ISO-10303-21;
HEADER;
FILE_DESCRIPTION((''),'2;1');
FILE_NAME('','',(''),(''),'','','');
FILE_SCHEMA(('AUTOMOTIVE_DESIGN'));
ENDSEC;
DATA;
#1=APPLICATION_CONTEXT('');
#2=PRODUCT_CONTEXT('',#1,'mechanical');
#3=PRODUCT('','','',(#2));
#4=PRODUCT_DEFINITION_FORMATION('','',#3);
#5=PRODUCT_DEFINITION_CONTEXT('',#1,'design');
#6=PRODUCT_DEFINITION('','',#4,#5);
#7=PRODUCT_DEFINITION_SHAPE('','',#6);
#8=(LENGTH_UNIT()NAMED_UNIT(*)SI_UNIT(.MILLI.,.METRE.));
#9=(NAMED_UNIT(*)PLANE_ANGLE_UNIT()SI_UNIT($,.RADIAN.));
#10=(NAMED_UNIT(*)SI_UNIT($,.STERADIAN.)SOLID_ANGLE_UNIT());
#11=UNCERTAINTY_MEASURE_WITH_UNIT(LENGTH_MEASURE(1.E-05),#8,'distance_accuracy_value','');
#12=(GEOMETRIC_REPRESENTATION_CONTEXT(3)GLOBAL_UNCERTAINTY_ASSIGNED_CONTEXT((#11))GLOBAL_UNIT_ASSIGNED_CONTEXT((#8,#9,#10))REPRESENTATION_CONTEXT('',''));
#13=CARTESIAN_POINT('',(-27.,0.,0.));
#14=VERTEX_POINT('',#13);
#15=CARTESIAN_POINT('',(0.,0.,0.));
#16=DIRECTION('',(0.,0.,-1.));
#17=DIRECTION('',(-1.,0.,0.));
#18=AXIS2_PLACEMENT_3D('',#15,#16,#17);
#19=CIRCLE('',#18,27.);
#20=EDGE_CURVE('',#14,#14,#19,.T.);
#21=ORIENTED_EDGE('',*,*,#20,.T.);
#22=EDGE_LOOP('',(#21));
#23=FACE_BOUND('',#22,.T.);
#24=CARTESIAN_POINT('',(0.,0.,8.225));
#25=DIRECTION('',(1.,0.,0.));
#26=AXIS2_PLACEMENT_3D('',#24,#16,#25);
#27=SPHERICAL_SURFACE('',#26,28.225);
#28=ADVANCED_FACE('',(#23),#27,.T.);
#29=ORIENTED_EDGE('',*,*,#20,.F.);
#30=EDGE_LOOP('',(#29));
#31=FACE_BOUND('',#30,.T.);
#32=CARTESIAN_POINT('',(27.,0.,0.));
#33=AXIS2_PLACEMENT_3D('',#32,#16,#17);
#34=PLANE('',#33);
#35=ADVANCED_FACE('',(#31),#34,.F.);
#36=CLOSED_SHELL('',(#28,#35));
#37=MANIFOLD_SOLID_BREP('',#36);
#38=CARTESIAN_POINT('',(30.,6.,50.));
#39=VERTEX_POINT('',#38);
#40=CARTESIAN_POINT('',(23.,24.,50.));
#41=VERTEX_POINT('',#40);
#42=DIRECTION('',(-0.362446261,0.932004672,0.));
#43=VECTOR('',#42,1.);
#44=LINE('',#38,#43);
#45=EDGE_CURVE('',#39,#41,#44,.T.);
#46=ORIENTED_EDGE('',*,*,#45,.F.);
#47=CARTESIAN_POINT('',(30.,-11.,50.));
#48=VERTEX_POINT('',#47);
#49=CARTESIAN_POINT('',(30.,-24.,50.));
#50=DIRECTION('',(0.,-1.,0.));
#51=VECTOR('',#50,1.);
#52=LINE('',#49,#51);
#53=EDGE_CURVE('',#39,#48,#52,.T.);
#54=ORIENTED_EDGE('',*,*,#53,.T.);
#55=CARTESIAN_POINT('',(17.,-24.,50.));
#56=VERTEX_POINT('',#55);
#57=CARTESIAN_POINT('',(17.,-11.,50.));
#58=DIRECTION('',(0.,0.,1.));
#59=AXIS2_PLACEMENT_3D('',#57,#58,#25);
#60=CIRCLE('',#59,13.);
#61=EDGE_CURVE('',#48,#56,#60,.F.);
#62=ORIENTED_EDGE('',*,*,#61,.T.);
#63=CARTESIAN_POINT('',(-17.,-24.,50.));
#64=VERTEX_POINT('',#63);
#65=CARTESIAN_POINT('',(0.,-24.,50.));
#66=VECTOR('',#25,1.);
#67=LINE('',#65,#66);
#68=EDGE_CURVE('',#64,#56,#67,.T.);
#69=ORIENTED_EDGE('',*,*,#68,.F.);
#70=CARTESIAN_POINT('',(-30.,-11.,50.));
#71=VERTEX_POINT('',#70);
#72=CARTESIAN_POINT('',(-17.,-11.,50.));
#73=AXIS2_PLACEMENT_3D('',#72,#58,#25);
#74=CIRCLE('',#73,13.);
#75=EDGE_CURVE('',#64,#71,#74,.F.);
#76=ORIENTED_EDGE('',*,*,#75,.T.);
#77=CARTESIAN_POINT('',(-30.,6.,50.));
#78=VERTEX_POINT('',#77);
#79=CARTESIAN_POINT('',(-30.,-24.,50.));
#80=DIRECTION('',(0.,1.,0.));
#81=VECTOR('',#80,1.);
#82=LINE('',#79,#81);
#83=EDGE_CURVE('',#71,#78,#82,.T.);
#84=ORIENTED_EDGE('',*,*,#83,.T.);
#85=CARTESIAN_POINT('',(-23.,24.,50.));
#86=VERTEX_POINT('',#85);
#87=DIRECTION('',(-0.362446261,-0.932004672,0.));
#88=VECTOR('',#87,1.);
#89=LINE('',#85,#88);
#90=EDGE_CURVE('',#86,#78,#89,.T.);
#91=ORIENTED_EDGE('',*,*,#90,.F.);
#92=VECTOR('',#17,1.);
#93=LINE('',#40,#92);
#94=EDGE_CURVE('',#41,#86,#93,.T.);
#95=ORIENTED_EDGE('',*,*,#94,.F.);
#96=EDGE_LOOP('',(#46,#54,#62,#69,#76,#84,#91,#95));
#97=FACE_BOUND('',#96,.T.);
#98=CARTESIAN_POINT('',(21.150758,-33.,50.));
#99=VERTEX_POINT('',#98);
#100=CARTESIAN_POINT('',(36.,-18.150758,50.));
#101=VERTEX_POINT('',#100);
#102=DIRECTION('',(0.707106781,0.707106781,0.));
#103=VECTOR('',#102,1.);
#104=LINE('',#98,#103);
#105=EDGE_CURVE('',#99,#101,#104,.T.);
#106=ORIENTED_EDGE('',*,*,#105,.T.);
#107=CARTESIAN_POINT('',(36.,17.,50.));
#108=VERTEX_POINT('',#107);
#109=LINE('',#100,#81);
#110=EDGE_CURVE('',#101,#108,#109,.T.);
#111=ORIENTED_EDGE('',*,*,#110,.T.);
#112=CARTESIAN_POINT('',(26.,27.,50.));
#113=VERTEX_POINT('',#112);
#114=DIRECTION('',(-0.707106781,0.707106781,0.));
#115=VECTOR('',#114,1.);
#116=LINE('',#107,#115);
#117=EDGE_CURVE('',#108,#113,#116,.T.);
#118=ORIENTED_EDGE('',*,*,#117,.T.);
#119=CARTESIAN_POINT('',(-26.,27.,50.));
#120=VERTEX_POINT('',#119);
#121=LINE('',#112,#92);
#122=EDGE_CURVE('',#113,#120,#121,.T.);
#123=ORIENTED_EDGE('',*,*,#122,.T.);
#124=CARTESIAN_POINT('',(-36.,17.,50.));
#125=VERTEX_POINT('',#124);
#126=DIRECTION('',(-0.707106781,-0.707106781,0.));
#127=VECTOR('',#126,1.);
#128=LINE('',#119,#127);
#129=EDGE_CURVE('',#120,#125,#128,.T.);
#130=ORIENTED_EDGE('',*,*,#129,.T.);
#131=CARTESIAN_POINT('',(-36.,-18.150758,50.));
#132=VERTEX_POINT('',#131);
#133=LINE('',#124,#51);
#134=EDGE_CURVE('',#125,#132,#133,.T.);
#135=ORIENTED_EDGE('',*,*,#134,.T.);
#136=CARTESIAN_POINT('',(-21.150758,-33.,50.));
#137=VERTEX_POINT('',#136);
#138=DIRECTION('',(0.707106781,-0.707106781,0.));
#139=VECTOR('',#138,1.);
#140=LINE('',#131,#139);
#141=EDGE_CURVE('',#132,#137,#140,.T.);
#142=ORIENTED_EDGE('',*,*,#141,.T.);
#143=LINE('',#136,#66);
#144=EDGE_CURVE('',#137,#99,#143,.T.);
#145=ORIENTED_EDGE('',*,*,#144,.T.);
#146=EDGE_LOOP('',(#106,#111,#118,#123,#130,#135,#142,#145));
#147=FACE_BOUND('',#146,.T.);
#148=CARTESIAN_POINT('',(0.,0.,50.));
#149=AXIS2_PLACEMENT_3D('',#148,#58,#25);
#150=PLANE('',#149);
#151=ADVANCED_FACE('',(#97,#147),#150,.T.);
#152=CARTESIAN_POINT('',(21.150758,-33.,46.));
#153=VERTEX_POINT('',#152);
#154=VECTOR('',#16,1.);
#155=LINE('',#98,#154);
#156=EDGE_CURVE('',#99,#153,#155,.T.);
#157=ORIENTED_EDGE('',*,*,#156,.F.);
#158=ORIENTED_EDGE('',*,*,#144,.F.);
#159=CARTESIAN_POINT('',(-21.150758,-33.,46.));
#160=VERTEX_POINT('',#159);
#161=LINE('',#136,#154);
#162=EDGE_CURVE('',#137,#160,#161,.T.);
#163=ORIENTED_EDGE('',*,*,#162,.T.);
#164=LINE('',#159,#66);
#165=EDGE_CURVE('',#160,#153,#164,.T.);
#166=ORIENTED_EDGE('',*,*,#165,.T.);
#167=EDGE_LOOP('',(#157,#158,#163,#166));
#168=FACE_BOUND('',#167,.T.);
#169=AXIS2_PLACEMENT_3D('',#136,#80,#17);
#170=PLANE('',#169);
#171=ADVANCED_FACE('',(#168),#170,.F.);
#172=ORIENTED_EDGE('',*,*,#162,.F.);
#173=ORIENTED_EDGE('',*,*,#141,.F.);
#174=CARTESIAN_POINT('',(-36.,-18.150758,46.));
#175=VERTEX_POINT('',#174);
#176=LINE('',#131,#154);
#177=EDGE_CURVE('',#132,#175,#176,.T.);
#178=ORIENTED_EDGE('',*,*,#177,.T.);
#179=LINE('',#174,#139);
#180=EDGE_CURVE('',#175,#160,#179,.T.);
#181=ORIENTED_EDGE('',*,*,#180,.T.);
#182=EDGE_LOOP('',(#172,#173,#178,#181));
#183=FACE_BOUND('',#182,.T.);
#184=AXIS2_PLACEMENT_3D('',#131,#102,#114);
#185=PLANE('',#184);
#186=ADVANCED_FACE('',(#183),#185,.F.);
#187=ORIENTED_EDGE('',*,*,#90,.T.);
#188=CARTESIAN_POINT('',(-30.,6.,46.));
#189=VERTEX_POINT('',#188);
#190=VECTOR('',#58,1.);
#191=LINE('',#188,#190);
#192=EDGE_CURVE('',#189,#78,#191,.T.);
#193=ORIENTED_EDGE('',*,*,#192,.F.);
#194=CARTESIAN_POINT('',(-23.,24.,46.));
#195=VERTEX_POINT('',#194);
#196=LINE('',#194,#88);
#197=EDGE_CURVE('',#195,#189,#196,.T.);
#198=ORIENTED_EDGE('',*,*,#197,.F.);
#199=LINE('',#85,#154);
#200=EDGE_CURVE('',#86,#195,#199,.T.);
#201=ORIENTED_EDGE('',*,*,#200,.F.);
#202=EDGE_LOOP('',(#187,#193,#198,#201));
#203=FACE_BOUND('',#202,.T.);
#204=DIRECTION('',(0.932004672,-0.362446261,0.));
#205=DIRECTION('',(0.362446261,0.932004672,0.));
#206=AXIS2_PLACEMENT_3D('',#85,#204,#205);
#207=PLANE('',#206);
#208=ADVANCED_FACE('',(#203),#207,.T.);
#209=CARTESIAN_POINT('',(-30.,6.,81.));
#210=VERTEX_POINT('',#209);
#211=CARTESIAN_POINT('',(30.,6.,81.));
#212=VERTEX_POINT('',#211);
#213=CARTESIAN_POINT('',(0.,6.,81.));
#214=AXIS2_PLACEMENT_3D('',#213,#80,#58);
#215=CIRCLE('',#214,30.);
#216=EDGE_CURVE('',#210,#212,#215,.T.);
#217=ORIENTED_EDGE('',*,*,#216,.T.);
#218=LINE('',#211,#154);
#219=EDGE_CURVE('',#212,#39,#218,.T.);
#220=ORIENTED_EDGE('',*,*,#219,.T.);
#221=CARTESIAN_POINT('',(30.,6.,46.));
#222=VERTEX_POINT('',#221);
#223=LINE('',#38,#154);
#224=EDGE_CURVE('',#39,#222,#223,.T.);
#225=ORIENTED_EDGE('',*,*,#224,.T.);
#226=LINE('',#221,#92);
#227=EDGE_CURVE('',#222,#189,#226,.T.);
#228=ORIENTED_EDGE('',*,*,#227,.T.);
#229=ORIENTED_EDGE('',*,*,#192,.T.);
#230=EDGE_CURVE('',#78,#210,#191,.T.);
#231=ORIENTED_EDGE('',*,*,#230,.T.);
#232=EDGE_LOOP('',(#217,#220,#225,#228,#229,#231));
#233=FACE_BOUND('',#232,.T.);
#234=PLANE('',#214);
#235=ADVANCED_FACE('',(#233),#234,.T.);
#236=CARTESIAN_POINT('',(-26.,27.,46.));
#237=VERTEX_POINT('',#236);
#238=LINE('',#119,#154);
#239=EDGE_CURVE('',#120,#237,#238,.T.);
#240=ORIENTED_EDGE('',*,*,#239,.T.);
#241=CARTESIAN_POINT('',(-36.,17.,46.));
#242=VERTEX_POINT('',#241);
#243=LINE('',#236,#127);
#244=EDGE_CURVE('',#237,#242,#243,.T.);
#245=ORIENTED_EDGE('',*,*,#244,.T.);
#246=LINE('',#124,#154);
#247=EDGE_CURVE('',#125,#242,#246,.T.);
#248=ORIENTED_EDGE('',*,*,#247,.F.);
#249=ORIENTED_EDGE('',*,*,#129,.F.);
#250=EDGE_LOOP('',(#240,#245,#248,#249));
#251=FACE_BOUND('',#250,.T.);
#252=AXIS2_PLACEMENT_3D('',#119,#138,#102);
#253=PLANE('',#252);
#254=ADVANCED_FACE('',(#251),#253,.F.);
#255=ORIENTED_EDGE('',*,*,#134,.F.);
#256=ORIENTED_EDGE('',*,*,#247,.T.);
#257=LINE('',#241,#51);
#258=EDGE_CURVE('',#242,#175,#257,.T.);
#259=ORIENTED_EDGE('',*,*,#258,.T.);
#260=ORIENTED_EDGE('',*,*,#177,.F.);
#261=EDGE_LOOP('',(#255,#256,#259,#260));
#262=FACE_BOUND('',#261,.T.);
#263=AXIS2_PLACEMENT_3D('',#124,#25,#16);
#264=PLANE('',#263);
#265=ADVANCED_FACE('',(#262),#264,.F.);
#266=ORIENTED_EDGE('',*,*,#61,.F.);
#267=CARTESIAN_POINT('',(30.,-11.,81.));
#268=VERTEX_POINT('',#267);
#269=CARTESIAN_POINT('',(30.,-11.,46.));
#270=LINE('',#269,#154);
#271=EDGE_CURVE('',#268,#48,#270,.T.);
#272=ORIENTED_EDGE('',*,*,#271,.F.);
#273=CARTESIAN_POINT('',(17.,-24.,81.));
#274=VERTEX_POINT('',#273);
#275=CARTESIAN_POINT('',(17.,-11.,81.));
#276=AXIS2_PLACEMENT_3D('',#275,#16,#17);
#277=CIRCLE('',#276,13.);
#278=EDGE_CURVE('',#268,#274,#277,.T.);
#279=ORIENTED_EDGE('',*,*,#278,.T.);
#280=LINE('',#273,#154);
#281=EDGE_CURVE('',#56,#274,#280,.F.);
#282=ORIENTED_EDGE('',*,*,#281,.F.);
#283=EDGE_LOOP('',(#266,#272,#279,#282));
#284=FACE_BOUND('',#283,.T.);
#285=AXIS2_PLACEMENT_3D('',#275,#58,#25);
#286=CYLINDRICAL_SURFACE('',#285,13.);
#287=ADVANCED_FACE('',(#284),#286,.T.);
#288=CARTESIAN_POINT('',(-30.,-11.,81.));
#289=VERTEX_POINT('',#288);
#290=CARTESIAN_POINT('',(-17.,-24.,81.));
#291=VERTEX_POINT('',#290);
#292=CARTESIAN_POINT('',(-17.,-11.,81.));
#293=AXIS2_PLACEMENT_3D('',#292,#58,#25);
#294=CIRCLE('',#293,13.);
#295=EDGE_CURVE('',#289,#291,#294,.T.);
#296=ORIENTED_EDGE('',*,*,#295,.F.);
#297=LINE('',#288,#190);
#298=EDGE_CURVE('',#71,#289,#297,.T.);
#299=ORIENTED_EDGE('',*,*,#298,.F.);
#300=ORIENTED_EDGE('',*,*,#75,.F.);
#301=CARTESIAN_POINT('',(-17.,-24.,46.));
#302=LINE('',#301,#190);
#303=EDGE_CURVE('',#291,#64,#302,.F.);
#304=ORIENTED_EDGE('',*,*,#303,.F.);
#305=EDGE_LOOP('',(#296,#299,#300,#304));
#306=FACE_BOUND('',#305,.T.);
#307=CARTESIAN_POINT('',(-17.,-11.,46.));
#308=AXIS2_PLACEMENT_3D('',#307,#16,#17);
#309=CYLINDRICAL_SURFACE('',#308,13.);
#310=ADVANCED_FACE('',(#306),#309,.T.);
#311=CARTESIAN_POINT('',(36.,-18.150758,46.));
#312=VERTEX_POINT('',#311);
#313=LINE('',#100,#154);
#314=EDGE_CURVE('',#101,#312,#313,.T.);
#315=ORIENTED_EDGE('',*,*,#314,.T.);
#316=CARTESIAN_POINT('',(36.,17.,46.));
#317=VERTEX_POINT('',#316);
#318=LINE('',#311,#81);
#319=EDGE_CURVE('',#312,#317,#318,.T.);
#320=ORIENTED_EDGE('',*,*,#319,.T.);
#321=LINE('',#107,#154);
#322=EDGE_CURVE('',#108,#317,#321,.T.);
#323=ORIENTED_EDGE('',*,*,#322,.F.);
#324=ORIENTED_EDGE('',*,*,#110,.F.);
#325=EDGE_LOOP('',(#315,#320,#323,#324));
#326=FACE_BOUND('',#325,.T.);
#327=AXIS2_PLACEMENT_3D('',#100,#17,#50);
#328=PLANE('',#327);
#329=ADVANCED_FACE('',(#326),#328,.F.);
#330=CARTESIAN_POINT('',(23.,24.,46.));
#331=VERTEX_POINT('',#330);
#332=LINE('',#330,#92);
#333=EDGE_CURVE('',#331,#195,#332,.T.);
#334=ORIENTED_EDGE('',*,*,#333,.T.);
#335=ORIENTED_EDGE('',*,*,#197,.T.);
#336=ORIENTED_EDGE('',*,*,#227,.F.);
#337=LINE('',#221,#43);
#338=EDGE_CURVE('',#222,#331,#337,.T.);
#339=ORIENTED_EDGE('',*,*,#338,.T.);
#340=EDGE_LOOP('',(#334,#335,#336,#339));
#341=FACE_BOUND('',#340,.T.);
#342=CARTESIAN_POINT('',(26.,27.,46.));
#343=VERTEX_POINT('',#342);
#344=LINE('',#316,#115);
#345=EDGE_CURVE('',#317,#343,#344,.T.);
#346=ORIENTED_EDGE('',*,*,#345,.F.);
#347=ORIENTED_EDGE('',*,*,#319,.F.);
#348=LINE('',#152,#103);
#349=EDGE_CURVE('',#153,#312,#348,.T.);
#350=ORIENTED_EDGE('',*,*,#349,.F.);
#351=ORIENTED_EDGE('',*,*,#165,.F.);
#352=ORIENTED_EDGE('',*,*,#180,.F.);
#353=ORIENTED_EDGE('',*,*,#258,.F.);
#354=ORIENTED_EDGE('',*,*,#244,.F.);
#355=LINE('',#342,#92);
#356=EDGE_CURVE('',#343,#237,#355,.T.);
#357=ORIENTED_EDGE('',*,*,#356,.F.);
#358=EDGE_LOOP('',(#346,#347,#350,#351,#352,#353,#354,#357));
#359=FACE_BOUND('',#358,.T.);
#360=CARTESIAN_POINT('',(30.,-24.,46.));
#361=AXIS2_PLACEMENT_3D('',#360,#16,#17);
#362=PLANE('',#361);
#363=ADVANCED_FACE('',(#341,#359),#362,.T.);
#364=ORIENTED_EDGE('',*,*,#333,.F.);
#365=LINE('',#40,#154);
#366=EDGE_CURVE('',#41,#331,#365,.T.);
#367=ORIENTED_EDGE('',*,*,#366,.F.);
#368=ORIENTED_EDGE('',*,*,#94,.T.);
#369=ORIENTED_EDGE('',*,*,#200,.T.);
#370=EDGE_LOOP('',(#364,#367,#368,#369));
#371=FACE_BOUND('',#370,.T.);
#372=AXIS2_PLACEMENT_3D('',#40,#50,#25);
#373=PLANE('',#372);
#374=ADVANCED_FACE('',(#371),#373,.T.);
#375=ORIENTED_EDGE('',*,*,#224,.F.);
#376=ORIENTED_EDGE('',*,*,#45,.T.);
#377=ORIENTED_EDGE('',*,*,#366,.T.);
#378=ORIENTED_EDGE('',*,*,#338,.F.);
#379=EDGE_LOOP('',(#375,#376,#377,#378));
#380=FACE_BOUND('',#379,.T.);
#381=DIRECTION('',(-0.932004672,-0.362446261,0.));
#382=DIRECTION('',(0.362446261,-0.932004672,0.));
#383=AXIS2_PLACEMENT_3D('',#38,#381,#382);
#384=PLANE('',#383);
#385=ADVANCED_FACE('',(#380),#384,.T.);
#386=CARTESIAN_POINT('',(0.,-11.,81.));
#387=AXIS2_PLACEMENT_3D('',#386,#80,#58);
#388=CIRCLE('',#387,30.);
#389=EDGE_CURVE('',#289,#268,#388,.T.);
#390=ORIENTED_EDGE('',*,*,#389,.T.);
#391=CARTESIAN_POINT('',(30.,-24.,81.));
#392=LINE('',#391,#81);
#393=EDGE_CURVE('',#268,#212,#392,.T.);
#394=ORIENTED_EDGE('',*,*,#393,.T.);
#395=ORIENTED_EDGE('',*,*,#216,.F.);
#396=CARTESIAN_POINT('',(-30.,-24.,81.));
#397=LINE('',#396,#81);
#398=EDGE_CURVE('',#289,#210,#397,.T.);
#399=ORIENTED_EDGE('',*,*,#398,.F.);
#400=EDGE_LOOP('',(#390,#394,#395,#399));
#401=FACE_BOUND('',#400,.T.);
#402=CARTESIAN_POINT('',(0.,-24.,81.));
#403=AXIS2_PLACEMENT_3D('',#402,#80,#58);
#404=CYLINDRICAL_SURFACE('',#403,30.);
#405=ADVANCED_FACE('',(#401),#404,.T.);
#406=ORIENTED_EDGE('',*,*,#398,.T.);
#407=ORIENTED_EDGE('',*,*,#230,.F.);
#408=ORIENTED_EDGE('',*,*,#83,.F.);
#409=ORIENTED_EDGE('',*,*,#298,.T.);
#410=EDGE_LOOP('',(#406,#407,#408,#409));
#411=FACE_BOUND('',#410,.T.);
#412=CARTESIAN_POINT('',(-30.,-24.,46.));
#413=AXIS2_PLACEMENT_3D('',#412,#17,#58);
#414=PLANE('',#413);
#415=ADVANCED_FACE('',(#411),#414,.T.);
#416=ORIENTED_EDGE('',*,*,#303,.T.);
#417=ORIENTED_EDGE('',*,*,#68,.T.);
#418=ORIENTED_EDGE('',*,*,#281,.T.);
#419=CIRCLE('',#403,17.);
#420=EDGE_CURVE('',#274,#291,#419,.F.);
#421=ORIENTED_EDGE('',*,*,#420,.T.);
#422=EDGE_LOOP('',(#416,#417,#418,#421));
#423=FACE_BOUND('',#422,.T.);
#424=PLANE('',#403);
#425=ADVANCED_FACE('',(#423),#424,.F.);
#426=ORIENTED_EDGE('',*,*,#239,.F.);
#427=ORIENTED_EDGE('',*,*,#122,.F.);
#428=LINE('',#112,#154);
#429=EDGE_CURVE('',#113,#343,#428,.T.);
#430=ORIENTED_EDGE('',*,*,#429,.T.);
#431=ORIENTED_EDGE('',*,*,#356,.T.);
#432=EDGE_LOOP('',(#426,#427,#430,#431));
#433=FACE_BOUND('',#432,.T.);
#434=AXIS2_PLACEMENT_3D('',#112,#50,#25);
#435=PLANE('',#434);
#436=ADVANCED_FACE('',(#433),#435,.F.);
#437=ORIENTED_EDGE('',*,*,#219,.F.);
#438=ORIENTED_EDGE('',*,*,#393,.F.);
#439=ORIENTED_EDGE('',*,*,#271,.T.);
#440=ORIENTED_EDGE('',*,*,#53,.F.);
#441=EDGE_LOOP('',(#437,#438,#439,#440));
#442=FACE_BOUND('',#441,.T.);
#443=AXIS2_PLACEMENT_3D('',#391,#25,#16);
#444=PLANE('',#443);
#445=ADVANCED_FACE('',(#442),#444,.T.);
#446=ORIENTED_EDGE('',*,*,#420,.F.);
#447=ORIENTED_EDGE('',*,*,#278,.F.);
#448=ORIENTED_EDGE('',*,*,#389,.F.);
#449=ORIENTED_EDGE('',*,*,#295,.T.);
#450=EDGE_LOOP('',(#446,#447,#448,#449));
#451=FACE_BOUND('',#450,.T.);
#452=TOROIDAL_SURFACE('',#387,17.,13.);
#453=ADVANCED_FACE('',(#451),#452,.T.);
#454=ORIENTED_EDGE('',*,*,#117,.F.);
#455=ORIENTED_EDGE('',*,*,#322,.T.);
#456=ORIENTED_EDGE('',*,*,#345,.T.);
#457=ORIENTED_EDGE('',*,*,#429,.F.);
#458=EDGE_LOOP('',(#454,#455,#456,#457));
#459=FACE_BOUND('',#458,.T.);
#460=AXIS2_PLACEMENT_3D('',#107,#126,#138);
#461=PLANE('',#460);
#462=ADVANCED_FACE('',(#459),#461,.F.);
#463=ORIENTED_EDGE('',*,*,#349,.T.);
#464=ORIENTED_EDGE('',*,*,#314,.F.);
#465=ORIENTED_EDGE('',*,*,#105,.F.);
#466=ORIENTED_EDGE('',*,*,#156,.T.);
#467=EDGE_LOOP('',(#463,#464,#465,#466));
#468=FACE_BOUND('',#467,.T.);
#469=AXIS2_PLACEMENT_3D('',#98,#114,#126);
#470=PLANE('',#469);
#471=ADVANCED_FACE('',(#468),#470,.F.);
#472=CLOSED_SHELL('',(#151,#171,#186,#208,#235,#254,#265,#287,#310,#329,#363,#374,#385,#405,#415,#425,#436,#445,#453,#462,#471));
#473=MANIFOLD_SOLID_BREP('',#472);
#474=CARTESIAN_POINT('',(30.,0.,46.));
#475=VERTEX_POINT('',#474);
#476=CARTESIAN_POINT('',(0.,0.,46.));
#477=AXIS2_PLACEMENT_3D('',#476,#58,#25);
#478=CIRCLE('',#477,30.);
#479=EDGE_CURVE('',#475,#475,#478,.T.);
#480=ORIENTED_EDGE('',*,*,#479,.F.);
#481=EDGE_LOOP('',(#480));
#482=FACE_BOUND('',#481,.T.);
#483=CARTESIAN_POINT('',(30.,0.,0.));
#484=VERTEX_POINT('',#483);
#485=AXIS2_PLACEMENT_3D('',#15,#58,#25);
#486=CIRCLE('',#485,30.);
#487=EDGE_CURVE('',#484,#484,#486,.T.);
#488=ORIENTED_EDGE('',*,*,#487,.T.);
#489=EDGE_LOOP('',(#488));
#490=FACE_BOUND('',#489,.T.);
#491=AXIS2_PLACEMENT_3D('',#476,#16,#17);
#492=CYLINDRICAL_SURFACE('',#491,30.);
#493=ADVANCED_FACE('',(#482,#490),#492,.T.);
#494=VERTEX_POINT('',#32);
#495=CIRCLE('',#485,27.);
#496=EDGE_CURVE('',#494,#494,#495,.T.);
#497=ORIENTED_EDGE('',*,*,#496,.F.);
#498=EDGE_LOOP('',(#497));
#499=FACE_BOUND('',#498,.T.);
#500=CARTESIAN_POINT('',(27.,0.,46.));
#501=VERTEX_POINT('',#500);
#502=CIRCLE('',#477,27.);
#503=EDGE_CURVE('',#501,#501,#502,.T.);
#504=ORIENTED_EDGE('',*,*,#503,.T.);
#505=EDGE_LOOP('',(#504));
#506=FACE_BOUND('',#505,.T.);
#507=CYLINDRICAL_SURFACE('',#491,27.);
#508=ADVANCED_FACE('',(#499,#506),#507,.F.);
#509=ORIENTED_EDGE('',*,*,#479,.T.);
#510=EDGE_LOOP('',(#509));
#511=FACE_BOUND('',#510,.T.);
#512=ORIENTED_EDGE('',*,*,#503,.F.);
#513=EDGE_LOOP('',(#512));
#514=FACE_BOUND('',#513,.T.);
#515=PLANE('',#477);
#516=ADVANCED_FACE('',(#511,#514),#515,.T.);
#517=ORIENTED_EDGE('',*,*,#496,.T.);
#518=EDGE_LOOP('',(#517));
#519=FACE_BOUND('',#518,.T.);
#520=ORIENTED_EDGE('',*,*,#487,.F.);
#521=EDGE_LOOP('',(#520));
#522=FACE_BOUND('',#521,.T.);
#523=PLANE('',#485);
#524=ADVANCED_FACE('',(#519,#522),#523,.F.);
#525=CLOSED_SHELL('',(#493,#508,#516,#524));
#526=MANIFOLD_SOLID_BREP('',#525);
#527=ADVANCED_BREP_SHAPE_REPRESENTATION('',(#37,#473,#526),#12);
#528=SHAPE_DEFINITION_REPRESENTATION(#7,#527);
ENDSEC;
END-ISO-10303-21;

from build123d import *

# Parameters (mm, degrees)
SKETCH1_R                = 30
SKETCH1_R_2              = 27
BOSS_EXTRUDE1_DEPTH      = 46
BOSS_EXTRUDE2_DEPTH      = 6
BOSS_EXTRUDE2_DEPTH_BACK = 24
FILLET1_R                = 13
BOSS_EXTRUDE7_DEPTH      = 4


with BuildPart() as part:
    # Sketch1 → Boss-Extrude1 (new body)
    with BuildSketch(Plane.XY):
        Circle(SKETCH1_R)
        Circle(SKETCH1_R_2, mode=Mode.SUBTRACT)
    extrude(amount=BOSS_EXTRUDE1_DEPTH)


with BuildPart() as body_2:
    # Sketch3 → Revolve1 (revolve)
    with BuildSketch(Plane(origin=(0, 0, 0), x_dir=(1, 0, 0), z_dir=(0, 1, 0))):
        with BuildLine():
            Line((27, 0), (0, 0))
            Line((0, 0), (0, 20))
            ThreePointArc((0, 20), (16.800297616, 14.455401782), (27, 0))
        make_face()
    revolve(axis=Axis((0, 0, -24.323945347), (0, 0, 1)))


with BuildPart() as body_3:
    # Sketch5 → Boss-Extrude2 (new, two sides: drawn at the far end of the back side and taken through both)
    with BuildSketch(Plane(origin=(0, 0, 0), x_dir=(1, 0, 0), z_dir=(0, 1, 0)).offset(-BOSS_EXTRUDE2_DEPTH_BACK)):
        with BuildLine():
            Line((-30, -46), (-30, -81))
            ThreePointArc((-30, -81), (0, -111), (30, -81))
            Line((30, -81), (30, -46))
            Line((30, -46), (-30, -46))
        make_face()
    extrude(amount=BOSS_EXTRUDE2_DEPTH + BOSS_EXTRUDE2_DEPTH_BACK)

    # Fillet1
    fillet1_edges = [body_3.edges().sort_by_distance(p)[0] for p in [
        (0, -24, 111),
        (30, -24, 63.5),
        (-30, -24, 63.5),
    ]]
    fillet(fillet1_edges, radius=FILLET1_R)

    # Sketch7 → Boss-Extrude7 (add)
    with BuildSketch(Plane.XY.offset(46)):
        Polygon((-36, 17), (-36, -18.150757595), (-21.150757595, -33), (21.150757595, -33), (36, -18.150757595), (36, 17), (26, 27), (-26, 27), align=None)
        Polygon((-30, 6), (30, 6), (23, 24), (-23, 24), align=None, mode=Mode.SUBTRACT)
    extrude(amount=BOSS_EXTRUDE7_DEPTH)


solid = Compound([part.part, body_2.part, body_3.part])
